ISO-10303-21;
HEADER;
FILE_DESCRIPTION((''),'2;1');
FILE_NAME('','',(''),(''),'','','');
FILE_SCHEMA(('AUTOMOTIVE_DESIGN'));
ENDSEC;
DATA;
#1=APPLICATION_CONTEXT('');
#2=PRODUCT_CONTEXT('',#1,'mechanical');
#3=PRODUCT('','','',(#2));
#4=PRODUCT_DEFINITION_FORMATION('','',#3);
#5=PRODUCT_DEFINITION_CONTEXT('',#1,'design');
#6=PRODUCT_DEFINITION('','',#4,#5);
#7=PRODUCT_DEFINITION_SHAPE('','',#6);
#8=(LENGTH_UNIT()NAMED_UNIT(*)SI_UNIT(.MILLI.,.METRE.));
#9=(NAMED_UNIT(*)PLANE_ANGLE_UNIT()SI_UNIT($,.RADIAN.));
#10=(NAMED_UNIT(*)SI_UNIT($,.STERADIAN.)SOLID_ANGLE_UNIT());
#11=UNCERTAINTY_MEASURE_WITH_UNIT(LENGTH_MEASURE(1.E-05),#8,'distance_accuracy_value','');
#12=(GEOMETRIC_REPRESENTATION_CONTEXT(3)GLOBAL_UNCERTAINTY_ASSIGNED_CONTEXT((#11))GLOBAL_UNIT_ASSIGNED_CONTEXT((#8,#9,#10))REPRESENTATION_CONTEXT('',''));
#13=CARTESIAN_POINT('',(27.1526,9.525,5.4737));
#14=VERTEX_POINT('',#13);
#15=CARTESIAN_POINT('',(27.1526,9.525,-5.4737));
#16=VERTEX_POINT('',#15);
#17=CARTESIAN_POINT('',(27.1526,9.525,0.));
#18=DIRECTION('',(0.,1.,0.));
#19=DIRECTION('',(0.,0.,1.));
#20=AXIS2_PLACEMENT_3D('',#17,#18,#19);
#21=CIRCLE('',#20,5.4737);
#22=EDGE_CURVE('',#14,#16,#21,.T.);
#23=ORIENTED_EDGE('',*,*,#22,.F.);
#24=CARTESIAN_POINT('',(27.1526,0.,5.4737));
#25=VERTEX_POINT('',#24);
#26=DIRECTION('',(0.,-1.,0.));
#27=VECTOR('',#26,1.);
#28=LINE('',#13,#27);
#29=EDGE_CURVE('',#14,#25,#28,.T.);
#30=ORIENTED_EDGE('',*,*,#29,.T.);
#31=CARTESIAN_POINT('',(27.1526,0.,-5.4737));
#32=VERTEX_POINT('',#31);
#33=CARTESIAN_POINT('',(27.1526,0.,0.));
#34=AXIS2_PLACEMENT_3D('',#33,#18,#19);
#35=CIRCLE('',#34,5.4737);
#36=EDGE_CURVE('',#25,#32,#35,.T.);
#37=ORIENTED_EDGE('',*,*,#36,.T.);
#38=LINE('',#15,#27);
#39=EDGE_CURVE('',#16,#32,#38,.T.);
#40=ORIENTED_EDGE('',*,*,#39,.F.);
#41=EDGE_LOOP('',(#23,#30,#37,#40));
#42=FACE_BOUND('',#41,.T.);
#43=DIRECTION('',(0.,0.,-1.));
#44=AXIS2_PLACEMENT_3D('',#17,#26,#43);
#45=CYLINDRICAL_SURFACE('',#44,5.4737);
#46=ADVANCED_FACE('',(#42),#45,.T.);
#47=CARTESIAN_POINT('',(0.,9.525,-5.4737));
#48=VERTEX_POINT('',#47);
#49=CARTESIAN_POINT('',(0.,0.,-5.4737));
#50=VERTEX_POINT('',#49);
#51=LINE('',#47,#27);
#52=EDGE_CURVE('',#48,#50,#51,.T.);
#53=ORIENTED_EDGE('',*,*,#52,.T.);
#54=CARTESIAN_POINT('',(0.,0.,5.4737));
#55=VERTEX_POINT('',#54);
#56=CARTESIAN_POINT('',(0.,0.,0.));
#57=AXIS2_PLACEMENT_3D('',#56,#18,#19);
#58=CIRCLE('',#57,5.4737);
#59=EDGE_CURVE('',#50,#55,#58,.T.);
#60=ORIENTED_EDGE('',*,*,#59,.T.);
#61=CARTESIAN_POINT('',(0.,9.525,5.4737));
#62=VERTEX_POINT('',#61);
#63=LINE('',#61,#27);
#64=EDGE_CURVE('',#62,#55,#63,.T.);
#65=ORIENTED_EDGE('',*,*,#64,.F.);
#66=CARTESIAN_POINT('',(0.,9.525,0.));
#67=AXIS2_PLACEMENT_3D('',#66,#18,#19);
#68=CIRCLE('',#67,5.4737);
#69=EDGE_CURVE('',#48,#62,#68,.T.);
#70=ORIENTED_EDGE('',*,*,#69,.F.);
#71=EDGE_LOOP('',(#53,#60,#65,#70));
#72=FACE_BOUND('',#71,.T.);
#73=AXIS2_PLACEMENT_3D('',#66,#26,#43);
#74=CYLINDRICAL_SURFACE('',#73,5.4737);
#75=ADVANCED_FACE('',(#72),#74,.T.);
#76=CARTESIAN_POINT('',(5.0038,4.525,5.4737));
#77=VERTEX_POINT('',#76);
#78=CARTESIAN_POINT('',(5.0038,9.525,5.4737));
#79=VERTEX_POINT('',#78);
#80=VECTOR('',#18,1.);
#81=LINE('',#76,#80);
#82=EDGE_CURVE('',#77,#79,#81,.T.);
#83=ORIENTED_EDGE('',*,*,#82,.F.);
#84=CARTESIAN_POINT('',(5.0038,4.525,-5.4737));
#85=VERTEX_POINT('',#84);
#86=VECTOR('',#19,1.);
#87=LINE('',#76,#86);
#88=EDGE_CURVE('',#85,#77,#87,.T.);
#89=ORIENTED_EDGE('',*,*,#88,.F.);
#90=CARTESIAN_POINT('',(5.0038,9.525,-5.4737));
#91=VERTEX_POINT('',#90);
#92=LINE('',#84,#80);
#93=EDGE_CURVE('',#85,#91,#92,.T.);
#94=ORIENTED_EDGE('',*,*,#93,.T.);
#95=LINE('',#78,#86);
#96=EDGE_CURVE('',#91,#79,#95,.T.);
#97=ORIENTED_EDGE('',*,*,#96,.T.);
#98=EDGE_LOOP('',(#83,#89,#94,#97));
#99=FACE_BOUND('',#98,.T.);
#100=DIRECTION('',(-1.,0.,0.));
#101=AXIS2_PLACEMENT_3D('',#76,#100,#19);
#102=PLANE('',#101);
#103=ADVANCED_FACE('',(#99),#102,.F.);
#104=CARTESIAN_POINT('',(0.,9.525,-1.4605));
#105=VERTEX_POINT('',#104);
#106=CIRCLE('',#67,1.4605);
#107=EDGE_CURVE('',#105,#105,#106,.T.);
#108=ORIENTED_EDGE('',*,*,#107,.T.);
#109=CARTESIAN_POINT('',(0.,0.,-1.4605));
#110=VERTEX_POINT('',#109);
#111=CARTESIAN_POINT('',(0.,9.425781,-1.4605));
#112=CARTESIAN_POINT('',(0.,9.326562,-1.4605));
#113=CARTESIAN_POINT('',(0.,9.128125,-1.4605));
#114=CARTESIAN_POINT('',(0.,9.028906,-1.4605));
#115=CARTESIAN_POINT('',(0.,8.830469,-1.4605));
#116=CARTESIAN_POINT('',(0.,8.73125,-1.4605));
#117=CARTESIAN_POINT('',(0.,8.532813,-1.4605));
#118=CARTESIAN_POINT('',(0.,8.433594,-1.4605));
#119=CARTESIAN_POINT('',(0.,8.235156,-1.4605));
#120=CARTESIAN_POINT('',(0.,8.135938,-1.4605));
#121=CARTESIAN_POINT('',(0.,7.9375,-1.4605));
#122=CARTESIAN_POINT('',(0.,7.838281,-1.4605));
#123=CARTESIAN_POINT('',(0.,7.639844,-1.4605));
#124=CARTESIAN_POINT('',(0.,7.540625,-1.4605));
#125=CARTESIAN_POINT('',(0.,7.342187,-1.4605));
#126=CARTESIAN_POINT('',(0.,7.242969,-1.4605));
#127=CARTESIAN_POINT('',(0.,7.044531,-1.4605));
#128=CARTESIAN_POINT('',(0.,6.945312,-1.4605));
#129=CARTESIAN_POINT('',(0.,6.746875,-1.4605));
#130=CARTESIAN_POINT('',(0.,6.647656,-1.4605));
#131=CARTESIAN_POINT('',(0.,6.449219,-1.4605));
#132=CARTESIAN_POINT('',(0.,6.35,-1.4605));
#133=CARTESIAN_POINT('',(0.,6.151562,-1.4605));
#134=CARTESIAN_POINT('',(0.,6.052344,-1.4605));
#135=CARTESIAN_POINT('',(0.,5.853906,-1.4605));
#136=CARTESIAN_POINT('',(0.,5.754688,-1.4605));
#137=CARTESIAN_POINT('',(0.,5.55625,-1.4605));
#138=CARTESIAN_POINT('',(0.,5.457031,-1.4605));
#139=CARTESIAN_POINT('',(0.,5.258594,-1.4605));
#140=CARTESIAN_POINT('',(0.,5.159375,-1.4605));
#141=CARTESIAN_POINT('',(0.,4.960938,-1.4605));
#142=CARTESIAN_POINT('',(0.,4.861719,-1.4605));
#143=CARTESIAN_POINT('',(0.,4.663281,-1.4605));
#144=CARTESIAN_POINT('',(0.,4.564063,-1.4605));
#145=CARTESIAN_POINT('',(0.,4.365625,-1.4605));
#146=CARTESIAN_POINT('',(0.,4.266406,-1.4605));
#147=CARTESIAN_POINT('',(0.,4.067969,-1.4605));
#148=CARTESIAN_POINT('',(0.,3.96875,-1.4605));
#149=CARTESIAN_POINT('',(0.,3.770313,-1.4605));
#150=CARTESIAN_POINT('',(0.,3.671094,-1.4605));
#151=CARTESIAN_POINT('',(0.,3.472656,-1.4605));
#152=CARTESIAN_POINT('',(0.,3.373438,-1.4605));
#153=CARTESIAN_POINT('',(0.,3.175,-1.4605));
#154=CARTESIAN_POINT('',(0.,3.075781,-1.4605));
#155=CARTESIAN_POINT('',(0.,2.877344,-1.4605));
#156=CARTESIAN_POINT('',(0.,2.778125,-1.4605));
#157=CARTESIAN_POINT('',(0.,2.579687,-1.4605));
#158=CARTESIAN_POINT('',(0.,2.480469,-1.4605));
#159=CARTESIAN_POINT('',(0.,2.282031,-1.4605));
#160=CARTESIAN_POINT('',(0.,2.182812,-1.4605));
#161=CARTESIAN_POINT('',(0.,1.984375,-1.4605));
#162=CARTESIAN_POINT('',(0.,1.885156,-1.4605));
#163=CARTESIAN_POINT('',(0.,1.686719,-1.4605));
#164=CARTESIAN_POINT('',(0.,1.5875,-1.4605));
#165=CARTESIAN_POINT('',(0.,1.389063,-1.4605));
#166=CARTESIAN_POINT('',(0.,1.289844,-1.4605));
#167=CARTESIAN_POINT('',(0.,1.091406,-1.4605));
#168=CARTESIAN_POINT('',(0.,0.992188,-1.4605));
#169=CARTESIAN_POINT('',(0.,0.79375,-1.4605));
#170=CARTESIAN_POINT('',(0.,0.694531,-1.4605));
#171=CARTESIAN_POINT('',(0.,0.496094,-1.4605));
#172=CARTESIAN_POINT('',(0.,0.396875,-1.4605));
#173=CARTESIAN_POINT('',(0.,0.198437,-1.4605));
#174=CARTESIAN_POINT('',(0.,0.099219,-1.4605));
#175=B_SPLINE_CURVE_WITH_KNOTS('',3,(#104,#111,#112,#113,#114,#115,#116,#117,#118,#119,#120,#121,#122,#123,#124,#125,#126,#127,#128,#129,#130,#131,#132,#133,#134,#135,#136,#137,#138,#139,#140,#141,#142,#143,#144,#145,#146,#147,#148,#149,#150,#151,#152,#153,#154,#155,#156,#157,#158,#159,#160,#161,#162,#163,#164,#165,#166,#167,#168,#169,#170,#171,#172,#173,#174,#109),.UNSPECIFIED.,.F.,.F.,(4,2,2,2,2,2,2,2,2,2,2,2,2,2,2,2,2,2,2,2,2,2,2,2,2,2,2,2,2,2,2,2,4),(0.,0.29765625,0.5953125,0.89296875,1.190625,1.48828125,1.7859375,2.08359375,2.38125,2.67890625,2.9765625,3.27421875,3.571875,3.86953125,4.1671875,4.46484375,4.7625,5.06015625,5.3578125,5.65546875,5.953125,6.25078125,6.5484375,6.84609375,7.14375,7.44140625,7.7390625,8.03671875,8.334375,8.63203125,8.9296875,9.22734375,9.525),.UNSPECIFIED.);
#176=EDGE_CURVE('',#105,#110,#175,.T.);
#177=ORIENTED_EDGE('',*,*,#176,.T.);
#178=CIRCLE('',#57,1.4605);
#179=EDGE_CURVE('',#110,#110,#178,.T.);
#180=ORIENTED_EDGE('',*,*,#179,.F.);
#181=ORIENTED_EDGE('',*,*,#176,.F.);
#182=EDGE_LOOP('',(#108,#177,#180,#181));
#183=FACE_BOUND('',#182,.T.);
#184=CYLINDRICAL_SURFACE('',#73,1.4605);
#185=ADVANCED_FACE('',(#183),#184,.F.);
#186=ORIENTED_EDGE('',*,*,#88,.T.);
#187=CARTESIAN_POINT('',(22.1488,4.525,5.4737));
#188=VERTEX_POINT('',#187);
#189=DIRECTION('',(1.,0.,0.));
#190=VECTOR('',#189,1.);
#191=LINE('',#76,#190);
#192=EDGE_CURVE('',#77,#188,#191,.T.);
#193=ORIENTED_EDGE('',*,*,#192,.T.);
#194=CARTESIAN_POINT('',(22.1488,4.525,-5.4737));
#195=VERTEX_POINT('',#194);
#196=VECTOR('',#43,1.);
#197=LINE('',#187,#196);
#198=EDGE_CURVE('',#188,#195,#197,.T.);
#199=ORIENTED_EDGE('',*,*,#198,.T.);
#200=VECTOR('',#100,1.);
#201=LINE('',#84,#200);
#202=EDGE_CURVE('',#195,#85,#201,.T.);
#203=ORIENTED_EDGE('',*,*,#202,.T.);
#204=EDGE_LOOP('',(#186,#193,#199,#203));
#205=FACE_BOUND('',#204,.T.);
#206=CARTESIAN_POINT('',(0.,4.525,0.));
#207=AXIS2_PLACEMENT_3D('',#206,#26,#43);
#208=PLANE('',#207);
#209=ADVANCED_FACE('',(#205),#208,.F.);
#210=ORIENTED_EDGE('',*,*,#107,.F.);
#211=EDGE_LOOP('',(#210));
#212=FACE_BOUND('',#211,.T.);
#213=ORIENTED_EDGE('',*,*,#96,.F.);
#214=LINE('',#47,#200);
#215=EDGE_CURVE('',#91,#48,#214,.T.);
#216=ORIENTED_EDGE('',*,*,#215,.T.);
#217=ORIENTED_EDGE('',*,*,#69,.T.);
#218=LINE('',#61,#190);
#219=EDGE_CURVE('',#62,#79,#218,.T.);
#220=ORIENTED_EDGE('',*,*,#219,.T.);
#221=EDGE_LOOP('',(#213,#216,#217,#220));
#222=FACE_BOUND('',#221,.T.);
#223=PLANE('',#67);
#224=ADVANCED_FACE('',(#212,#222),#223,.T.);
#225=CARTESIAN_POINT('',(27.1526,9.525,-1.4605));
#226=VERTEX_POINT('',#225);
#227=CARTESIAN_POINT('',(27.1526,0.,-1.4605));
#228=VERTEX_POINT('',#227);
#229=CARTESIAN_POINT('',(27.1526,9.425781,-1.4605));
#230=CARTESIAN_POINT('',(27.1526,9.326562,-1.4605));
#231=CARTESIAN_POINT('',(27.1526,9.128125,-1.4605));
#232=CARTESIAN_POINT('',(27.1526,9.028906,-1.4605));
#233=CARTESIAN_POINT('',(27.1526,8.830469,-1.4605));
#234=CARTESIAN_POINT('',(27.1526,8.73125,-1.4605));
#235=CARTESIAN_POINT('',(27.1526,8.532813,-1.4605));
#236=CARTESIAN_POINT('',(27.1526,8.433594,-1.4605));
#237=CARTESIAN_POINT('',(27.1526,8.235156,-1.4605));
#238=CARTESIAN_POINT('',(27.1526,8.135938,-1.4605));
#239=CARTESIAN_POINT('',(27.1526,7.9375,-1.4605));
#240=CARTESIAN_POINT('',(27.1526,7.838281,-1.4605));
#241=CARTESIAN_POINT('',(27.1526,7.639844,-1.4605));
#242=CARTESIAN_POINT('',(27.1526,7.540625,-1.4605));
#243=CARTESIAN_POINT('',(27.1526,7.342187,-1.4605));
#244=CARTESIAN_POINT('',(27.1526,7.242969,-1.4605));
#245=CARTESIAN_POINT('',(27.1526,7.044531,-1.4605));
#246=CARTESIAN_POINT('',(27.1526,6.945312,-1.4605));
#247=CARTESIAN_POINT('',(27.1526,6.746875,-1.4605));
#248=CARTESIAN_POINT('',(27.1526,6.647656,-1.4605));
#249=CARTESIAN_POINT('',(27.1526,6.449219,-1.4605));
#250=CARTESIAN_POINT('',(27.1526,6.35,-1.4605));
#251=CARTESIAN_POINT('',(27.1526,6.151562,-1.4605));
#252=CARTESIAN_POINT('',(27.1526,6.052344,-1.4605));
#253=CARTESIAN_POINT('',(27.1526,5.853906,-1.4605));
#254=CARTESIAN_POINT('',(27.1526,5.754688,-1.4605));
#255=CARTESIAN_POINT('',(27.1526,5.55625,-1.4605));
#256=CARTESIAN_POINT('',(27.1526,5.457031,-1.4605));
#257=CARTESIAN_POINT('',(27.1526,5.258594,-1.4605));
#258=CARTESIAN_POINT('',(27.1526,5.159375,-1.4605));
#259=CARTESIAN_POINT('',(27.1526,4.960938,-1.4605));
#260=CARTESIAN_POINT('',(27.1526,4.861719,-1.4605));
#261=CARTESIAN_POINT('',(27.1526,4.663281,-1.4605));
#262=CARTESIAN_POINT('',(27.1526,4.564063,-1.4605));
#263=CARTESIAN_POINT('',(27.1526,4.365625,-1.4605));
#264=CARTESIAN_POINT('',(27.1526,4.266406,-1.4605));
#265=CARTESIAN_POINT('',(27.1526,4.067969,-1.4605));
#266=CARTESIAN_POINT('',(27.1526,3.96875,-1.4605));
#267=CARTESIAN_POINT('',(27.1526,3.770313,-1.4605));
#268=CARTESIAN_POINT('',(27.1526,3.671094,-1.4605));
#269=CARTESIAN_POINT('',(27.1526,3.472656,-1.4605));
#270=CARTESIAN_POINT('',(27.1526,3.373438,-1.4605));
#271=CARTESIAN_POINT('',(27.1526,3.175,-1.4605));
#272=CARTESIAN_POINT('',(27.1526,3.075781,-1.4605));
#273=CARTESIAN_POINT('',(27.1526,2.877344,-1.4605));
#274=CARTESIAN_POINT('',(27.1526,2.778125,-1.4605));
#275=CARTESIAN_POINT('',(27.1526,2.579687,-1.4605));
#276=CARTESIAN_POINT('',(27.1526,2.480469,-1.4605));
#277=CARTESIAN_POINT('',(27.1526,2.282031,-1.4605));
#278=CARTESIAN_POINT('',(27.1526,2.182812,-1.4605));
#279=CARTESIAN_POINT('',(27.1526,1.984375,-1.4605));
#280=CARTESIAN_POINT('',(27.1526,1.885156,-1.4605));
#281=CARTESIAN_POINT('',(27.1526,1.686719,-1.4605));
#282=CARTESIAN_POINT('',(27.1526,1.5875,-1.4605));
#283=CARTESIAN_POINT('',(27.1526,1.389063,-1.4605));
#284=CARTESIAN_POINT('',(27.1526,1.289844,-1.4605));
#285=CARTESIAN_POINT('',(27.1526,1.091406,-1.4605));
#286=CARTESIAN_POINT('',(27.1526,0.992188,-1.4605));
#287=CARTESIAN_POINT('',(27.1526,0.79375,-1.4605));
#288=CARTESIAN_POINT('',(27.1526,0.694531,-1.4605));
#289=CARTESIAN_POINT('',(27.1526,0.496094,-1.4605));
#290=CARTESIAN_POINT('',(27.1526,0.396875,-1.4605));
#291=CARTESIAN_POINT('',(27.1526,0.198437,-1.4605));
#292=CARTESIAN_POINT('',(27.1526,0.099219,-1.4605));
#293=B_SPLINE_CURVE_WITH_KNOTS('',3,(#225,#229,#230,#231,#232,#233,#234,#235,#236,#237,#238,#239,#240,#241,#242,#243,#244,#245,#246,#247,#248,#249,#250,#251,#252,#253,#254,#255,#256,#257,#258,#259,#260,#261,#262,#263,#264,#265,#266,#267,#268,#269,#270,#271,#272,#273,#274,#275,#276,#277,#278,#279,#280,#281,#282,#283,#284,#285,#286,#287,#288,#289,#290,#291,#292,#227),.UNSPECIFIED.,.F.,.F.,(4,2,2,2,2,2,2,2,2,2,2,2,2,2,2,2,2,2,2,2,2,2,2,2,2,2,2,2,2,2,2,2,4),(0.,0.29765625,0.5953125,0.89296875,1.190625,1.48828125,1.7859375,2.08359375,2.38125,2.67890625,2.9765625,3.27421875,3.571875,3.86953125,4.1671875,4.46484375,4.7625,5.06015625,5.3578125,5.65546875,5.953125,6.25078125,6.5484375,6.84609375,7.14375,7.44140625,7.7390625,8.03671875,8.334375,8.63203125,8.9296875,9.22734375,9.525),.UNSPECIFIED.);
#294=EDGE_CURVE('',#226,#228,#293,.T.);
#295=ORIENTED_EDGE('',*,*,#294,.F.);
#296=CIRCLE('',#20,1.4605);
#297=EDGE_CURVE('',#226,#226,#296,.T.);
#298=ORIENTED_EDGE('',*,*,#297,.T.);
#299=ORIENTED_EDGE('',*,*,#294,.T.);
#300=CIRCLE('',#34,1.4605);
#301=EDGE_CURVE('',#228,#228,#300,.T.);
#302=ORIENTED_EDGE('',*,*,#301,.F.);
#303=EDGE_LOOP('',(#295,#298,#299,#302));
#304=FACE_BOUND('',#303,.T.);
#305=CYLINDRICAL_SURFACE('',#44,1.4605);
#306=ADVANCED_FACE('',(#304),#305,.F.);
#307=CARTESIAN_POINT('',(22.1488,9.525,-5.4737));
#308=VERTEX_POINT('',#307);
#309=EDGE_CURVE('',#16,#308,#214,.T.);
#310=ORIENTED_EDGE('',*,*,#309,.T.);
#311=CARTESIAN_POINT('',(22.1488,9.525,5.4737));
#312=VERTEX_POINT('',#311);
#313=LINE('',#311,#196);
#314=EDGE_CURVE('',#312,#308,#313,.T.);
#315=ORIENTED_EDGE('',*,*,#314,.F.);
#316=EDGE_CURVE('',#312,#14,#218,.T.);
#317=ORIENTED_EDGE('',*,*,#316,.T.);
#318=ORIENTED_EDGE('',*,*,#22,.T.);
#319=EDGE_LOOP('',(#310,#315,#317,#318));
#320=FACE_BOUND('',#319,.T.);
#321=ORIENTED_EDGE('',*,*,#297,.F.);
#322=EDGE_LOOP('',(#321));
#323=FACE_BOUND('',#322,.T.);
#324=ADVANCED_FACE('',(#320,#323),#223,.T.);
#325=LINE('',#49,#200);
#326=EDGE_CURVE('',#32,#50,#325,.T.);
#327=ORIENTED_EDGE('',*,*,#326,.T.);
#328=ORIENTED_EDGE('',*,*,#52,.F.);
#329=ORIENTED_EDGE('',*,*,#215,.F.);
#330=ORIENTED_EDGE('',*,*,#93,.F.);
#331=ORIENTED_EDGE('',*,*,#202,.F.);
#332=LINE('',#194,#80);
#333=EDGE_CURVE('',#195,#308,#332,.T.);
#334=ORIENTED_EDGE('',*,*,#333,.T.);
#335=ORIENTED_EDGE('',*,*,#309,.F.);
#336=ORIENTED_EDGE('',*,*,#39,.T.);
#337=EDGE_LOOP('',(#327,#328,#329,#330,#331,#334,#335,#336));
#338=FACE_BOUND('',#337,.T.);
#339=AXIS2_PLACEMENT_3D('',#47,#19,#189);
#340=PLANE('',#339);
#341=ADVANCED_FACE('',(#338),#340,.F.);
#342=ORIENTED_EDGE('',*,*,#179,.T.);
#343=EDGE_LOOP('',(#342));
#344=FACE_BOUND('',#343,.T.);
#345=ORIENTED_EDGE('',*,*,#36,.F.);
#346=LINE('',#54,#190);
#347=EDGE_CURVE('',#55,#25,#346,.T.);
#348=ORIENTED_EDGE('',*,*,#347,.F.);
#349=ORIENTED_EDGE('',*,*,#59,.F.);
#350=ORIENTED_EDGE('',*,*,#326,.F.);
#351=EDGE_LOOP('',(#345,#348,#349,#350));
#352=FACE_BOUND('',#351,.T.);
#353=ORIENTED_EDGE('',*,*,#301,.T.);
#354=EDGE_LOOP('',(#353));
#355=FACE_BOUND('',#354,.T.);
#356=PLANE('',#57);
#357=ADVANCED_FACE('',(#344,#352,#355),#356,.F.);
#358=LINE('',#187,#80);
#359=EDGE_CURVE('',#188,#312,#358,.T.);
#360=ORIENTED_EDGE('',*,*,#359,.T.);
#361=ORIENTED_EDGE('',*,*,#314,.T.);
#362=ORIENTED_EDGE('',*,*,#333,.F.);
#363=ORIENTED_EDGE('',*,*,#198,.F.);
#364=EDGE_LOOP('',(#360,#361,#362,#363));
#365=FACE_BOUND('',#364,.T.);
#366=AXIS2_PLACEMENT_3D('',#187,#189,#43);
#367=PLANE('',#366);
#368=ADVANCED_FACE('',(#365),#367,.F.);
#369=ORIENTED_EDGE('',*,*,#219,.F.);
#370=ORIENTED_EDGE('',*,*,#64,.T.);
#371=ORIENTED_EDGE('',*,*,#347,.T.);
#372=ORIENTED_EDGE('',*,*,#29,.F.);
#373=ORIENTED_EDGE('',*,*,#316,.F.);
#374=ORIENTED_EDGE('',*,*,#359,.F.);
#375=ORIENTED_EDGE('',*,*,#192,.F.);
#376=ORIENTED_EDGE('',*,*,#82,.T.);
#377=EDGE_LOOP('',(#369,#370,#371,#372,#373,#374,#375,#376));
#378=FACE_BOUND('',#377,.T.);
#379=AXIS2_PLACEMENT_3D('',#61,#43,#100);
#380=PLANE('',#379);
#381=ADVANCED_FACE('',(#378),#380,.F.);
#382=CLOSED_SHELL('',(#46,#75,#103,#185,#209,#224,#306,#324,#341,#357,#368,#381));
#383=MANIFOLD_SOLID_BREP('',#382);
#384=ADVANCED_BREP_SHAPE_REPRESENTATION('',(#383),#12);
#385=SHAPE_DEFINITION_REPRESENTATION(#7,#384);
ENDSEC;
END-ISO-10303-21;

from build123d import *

# Parameters (mm, degrees)
SKETCH1_R           = 1.4605
BOSS_EXTRUDE1_DEPTH = 9.525
SKETCH2_W           = 17.145
SKETCH2_H           = 10.9474
CUT_EXTRUDE1_DEPTH  = 5


with BuildPart() as part:
    # Sketch1 → Boss-Extrude1 (new body)
    with BuildSketch(Plane(origin=(0, 0, 0), x_dir=(1, 0, 0), z_dir=(0, 1, 0))):
        with BuildLine():
            Line((0, 5.4737), (27.1526, 5.4737))
            ThreePointArc((27.1526, 5.4737), (32.6263, 0), (27.1526, -5.4737))
            Line((27.1526, -5.4737), (0, -5.4737))
            ThreePointArc((0, -5.4737), (-5.4737, 0), (0, 5.4737))
        make_face()
        with Locations(Location((0, 0, 0), (0, 0, 90))):
            Circle(SKETCH1_R, mode=Mode.SUBTRACT)
        with Locations(Location((27.1526, 0, 0), (0, 0, 90))):
            Circle(SKETCH1_R, mode=Mode.SUBTRACT)
    extrude(amount=BOSS_EXTRUDE1_DEPTH)

    # Sketch2 → Cut-Extrude1 (cut)
    with BuildSketch(Plane(origin=(0, 9.525, 0), x_dir=(1, 0, 0), z_dir=(0, 1, 0))):
        with Locations((13.5763, 0)):
            Rectangle(SKETCH2_W, SKETCH2_H)
    extrude(amount=-CUT_EXTRUDE1_DEPTH, mode=Mode.SUBTRACT)


solid = part.part
